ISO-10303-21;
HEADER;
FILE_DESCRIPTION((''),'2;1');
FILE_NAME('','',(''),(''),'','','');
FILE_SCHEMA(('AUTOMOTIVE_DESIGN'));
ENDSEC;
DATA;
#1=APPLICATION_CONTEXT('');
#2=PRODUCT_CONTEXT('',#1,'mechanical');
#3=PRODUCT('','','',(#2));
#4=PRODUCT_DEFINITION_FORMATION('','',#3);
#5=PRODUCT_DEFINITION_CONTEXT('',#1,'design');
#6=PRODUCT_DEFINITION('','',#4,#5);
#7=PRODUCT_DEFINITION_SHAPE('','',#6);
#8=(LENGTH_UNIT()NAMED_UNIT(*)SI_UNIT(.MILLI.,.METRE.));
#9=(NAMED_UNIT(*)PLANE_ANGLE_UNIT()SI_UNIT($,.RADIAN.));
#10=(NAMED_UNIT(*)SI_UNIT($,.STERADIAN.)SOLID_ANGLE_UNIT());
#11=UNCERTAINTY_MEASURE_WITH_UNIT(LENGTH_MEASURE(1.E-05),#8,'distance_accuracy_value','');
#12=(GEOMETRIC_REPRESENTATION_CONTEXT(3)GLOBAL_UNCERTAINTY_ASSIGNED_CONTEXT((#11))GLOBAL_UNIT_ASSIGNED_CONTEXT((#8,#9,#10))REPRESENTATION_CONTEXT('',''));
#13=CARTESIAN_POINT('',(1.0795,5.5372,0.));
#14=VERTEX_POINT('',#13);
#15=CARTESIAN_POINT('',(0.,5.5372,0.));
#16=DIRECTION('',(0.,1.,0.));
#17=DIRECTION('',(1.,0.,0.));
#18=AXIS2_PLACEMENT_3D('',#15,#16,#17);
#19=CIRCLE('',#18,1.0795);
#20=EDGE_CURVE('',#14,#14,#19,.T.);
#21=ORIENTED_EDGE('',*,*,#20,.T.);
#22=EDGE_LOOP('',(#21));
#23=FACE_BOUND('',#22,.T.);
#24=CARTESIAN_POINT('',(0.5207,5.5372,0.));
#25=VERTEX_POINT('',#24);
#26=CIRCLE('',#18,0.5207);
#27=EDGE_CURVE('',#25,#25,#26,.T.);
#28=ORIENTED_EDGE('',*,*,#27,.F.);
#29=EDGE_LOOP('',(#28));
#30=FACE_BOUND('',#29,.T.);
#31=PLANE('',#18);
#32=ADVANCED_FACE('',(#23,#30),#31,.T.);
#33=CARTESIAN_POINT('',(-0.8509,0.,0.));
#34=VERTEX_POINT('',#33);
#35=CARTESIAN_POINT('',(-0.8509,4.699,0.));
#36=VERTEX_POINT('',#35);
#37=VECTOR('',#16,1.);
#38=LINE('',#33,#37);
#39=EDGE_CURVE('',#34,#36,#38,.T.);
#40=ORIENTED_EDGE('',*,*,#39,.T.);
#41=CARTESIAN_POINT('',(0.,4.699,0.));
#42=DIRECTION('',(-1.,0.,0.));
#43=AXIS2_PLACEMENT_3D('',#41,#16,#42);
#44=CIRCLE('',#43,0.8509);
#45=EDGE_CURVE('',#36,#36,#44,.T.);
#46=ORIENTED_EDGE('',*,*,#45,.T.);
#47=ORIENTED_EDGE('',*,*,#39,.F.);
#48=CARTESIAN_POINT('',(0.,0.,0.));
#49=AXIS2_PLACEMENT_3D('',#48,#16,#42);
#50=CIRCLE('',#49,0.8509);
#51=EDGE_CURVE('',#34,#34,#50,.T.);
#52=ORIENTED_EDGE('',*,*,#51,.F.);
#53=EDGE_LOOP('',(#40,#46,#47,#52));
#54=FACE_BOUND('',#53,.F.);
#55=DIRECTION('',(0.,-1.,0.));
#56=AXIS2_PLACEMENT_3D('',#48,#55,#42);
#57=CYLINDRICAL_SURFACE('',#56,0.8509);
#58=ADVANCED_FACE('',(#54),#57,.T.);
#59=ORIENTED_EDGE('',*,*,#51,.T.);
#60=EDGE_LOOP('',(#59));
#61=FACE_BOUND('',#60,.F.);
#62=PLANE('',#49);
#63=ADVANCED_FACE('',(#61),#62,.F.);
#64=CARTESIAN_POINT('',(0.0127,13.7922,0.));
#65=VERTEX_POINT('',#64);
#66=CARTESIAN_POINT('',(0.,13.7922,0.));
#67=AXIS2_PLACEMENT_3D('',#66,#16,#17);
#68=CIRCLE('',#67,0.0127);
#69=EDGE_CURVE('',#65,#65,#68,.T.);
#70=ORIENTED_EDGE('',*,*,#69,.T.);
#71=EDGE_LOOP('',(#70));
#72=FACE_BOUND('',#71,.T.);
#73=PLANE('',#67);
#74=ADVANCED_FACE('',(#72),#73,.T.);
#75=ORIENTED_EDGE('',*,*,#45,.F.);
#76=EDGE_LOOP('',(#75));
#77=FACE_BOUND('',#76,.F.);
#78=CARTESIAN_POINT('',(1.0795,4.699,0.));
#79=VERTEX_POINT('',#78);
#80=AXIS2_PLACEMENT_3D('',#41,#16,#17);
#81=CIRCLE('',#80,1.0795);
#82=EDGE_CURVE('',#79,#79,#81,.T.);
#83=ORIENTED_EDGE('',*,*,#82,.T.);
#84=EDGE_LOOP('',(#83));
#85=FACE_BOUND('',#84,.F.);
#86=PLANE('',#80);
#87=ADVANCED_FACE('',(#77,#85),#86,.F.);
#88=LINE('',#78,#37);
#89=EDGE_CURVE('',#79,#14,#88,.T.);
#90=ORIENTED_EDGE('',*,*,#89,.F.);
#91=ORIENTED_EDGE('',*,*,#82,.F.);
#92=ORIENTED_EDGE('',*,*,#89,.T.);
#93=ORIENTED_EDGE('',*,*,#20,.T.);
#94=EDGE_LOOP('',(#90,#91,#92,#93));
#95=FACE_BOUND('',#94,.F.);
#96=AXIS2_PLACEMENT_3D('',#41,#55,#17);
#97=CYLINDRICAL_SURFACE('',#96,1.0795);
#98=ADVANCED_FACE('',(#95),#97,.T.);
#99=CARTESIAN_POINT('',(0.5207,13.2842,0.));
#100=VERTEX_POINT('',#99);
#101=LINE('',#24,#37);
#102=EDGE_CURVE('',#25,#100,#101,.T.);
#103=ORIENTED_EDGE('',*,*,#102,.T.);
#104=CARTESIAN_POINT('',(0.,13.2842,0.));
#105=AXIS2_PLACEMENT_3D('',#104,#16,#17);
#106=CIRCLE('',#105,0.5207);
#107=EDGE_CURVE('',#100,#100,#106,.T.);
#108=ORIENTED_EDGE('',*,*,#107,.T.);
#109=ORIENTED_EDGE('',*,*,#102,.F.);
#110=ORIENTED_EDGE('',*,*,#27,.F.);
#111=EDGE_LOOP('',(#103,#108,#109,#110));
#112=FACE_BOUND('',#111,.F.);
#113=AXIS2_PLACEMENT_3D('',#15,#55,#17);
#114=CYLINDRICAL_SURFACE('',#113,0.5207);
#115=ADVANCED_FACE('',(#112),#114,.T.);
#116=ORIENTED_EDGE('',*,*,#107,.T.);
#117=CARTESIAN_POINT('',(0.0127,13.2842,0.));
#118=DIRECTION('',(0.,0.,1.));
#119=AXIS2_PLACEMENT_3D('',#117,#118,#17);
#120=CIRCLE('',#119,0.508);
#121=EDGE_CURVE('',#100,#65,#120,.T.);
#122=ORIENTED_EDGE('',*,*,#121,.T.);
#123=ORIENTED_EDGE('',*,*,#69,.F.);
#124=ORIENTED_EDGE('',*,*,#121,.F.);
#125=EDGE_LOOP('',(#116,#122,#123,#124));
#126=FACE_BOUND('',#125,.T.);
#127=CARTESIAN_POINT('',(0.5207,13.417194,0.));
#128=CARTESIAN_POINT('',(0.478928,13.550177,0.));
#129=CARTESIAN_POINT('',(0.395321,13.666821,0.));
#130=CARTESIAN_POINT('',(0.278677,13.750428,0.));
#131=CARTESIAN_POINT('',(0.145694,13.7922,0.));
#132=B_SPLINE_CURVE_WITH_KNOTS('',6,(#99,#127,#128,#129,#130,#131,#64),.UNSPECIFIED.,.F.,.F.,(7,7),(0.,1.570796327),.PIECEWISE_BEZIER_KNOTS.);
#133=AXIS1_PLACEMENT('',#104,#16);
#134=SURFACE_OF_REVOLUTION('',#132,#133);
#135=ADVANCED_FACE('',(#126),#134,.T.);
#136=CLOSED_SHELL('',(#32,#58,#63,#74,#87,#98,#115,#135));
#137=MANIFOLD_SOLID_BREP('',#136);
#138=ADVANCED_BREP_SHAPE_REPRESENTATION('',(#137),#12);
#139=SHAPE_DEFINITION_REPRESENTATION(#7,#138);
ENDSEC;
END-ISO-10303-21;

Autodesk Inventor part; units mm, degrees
ref_plane "YZ Plane" through (0, 0, 0) normal (1, 0, 0) x (0, 1, 0)
ref_plane "XZ Plane" through (0, 0, 0) normal (0, 1, 0) x (-1, 0, 0)
ref_plane "XY Plane" through (0, 0, 0) normal (0, 0, 1) x (1, 0, 0)
sketch "Sketch1" plane through (0, 0, 0) normal (0, 1, 0) x (-1, 0, 0)
  circle A0 centre (0, 0) radius 0.8509
  dimension "d0" = 1.7018
extrude "Extrusion1" add sketch "Sketch1" along normal blind 4.699
sketch "Sketch2" plane through (0, 4.699, 0) normal (0, 1, 0) x (1, 0, 0)
  circle A0 centre (0, 0) radius 0.8509 projected
  circle A1 centre (0, 0) radius 1.0795
  dimension "d3" = 2.159
extrude "Extrusion2" add sketch "Sketch2" along normal blind 0.8382 contours A0 | A1
sketch "Sketch3" plane through (0, 5.5372, 0) normal (0, 1, 0) x (1, 0, 0)
  circle A0 centre (0, 0) radius 1.0795 projected
  circle A1 centre (0, 0) radius 0.5207
  dimension "d6" = 1.0414
extrude "Extrusion3" add sketch "Sketch3" along normal blind 8.255 contours A1
fillet "Fillet1" radius 0.508 1 edges at (-0.5207, 13.7922, 0)
properties part number "male_pin_component"
